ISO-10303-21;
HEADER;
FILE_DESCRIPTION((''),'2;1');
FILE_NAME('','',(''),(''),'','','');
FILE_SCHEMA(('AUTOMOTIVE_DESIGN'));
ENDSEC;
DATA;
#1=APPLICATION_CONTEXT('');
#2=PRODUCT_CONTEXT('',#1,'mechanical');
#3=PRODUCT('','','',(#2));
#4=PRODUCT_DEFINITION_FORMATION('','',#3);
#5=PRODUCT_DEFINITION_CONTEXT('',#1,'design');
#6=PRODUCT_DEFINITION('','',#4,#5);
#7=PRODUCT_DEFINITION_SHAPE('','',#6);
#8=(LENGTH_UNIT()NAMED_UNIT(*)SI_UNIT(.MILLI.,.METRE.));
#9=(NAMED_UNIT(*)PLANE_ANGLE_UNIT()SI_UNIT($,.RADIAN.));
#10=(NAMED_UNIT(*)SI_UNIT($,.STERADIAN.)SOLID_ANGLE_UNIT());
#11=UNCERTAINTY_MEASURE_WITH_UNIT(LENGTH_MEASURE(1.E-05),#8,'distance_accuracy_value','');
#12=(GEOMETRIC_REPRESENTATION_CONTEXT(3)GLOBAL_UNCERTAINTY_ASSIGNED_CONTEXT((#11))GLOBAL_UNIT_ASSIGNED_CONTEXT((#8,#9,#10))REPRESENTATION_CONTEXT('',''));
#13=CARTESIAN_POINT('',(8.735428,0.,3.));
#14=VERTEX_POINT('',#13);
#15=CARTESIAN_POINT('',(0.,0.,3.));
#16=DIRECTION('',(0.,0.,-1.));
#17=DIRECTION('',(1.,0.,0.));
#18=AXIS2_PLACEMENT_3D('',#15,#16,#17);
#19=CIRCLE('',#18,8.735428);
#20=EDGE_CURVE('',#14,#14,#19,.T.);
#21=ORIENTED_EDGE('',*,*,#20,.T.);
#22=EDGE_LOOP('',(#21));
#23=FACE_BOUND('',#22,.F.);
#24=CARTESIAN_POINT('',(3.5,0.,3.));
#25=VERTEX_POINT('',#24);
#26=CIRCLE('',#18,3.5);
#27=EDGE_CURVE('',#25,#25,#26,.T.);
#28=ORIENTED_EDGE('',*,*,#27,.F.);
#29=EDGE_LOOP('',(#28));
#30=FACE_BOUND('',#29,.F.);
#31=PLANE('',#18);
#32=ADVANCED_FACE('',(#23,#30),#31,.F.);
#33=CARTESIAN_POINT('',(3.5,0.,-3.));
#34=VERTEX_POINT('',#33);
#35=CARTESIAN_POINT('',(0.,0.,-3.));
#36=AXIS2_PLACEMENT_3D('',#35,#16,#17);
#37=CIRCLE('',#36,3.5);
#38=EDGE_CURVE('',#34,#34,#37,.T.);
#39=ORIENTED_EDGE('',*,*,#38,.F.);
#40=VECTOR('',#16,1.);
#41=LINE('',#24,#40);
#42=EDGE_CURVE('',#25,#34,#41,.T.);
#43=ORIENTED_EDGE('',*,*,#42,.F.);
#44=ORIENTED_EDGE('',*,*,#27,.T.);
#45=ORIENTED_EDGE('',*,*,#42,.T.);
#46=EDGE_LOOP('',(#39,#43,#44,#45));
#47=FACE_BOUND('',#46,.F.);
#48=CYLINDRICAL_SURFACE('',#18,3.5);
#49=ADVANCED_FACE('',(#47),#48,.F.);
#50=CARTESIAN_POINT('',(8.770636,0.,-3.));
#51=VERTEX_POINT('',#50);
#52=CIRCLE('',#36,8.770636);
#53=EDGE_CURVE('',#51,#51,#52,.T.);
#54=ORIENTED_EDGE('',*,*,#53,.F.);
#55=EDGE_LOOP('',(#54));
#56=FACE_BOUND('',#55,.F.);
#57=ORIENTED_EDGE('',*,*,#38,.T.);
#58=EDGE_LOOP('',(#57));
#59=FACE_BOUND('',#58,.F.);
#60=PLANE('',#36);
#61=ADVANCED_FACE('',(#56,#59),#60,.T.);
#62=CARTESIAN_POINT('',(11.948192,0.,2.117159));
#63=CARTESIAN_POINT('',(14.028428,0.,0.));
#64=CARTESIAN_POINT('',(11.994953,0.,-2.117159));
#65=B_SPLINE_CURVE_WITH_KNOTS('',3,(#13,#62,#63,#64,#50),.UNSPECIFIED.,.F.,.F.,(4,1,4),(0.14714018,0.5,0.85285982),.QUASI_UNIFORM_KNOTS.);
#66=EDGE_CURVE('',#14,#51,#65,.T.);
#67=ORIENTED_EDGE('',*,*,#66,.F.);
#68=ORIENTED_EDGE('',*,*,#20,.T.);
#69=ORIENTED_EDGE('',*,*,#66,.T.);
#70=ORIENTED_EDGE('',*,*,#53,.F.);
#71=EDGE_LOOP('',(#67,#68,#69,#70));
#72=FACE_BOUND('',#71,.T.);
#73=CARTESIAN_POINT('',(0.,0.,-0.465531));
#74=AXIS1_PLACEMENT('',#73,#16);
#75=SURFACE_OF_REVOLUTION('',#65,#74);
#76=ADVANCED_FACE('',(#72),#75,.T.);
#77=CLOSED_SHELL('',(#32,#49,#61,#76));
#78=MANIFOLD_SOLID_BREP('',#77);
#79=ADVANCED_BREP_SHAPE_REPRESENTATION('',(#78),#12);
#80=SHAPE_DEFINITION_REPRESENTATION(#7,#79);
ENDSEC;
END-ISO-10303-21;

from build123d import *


with BuildPart() as f1:
    # F0 (on Front) → F1 (revolve)
    with BuildSketch(Plane.XZ):
        with BuildLine():
            Line((8.7354283251, 3), (3.5, 3))
            Line((3.5, 3), (3.5, -3))
            Line((3.5, -3), (8.7706364592, -3))
            add(Edge.make_bspline(
                [(8.7354283251, 3), (11.9481916375, 2.1171589192), (14.0284279146, 0), (11.9949525333, -2.1171589192), (8.7706364592, -3)],
                knots=[0.1471401801, 0.1471401801, 0.1471401801, 0.1471401801, 0.5, 0.8528598199, 0.8528598199, 0.8528598199, 0.8528598199], degree=3))
        make_face()
    revolve(axis=Axis((0, 0, -0.4655305529), (0, 0, -1)))


solid = f1.part
